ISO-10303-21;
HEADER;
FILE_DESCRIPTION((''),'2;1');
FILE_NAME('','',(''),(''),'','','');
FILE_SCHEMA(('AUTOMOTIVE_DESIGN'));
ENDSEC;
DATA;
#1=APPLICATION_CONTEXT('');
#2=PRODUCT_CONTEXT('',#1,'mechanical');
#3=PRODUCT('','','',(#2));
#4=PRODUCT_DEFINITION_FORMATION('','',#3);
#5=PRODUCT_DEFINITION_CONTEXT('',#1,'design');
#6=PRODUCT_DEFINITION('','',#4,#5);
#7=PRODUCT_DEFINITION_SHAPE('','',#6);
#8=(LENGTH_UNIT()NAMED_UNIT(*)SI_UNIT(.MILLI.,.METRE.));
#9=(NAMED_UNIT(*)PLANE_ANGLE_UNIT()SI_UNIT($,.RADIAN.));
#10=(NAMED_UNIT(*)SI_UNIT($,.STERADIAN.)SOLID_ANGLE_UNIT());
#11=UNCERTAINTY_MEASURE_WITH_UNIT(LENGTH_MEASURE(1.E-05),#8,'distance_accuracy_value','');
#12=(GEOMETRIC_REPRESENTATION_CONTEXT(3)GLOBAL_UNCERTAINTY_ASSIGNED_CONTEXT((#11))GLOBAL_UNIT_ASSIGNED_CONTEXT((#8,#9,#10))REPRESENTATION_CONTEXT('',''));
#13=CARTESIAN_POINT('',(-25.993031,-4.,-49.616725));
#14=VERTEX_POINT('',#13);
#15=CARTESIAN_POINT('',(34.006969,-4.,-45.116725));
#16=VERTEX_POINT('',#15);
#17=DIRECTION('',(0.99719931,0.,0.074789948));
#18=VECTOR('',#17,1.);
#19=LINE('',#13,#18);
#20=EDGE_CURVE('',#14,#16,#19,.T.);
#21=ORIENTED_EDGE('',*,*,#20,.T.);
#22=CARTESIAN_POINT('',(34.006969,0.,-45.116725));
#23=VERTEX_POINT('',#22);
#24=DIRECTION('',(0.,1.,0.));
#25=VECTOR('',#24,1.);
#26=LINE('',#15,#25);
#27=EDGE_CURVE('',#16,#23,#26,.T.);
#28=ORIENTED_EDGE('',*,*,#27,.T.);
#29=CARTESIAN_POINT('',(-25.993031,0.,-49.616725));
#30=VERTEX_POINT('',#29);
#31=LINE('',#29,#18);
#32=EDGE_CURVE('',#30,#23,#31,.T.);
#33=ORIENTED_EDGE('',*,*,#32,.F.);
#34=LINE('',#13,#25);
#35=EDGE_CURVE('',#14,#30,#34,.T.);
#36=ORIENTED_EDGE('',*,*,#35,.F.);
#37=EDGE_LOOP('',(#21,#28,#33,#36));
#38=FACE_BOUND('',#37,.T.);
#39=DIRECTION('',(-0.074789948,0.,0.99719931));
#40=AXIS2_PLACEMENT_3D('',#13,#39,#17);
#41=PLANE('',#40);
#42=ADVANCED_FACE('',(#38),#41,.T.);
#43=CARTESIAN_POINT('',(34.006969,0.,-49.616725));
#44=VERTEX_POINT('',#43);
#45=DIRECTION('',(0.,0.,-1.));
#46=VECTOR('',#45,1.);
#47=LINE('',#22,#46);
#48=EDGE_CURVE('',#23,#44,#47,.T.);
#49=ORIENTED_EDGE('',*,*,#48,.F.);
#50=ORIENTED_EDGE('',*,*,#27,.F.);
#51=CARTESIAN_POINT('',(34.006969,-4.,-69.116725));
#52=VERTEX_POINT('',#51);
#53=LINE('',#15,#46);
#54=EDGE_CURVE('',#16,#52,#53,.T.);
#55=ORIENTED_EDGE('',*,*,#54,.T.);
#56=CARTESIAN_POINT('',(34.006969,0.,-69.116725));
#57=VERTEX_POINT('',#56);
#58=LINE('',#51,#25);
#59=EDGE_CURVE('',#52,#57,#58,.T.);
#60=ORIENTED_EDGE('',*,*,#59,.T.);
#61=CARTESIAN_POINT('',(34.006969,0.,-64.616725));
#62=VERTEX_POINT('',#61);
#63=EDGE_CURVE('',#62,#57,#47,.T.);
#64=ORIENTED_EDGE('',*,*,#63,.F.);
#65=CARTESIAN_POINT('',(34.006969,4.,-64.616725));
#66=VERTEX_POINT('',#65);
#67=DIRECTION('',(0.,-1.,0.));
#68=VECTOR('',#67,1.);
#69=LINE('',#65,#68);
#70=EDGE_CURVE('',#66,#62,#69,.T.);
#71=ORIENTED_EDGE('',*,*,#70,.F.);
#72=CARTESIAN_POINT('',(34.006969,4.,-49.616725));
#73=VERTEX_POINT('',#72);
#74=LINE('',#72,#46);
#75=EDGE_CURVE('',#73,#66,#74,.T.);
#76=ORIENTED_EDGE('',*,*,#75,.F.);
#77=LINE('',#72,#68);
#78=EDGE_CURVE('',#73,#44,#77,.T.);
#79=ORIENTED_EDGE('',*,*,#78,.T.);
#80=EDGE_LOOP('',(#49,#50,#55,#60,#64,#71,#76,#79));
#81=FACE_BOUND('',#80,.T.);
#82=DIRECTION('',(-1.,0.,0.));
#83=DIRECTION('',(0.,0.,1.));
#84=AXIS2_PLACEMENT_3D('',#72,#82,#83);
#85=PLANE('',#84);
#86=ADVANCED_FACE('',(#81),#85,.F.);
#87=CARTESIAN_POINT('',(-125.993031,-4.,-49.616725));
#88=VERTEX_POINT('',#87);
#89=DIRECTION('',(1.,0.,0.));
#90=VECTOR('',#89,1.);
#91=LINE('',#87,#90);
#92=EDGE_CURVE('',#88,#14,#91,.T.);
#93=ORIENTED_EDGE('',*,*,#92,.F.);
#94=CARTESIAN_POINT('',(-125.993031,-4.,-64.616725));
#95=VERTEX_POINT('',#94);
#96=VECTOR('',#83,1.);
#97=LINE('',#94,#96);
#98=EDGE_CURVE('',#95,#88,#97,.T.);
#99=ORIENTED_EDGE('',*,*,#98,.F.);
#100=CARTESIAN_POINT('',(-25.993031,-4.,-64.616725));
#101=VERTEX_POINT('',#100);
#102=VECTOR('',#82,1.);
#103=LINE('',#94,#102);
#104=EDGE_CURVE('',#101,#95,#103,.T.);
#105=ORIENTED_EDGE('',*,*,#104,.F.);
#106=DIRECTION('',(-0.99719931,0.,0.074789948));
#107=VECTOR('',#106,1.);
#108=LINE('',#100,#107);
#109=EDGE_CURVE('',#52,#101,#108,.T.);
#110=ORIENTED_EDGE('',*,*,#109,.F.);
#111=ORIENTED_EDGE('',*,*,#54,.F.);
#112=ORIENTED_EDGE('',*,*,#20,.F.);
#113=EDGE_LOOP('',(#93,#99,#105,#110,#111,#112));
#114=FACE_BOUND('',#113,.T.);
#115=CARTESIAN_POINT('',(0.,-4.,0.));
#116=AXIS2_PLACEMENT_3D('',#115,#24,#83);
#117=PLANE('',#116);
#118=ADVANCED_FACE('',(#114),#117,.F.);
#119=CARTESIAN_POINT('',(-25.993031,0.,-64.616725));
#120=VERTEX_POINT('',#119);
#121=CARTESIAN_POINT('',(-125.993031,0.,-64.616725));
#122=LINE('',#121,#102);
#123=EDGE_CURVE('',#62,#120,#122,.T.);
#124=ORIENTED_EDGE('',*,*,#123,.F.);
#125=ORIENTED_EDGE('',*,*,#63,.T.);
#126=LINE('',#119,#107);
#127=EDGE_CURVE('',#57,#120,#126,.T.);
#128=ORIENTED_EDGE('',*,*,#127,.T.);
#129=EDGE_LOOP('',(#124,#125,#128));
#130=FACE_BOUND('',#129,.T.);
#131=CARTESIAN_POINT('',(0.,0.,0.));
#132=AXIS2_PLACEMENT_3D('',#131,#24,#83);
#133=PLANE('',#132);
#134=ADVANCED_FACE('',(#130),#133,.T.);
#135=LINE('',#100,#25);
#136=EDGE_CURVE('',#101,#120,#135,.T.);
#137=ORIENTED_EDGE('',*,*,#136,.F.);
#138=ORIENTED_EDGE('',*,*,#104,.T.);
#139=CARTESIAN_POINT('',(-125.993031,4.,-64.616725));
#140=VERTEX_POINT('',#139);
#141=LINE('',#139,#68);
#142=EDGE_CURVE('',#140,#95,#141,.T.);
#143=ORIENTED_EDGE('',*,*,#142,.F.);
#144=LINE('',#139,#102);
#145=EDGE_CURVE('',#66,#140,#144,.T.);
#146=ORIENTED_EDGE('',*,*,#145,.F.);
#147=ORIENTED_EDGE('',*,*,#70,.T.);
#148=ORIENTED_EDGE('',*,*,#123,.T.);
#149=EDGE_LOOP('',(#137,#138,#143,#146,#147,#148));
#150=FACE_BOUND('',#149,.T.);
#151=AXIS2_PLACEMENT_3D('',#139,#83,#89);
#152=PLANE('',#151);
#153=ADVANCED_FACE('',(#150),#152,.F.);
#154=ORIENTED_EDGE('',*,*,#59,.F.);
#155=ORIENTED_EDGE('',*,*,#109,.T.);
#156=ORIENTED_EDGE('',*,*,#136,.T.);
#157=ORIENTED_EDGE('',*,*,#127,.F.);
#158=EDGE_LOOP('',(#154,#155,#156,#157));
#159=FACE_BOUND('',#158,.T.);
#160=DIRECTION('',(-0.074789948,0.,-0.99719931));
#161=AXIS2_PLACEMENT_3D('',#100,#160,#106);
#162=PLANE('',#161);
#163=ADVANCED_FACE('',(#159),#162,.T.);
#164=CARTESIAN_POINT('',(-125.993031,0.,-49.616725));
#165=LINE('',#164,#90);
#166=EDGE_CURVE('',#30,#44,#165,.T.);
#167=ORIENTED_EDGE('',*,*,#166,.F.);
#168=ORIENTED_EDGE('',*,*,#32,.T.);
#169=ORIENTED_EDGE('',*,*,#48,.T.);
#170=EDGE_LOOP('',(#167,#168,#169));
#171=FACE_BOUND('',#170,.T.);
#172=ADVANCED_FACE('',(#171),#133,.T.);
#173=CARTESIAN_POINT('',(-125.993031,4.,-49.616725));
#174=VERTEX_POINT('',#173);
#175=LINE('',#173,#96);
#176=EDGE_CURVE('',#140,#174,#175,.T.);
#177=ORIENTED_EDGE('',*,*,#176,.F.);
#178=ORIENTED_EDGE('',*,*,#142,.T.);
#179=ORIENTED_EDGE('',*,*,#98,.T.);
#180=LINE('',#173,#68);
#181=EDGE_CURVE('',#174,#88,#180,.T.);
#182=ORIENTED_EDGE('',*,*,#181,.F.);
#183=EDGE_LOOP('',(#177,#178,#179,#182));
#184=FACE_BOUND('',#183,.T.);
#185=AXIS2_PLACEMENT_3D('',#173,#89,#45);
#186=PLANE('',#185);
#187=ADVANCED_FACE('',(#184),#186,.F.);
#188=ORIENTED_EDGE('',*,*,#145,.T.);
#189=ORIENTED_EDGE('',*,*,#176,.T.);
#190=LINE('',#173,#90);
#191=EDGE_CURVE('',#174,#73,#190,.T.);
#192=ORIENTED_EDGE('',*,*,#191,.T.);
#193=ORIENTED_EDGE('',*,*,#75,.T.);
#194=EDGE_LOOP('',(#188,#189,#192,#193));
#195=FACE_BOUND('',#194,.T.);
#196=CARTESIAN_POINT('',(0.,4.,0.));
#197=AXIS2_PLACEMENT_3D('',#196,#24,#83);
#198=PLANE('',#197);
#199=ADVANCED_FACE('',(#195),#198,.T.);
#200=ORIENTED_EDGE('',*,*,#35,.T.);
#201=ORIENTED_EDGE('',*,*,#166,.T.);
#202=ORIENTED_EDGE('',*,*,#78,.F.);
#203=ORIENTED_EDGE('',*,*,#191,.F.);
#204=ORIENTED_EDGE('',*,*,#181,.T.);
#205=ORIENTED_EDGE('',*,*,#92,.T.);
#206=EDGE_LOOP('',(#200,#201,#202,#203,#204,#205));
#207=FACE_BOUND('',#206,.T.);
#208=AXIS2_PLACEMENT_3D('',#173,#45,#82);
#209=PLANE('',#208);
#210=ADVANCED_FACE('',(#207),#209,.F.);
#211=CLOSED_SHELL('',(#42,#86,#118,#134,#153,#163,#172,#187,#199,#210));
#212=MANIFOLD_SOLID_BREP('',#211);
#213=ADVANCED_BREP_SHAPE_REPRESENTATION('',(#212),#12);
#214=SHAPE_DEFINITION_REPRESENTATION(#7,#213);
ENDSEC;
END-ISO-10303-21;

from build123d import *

# Parameters (mm, degrees)
SKETCH1_W           = 160
SKETCH1_H           = 15
BOSS_EXTRUDE1_DEPTH = 4
BOSS_EXTRUDE2_DEPTH = 4


with BuildPart() as part:
    # Sketch1 → Boss-Extrude1 (new body)
    with BuildSketch(Plane(origin=(0, 0, 0), x_dir=(1, 0, 0), z_dir=(0, 1, 0))):
        with Locations((-45.993031359, 57.116724739)):
            Rectangle(SKETCH1_W, SKETCH1_H)
    extrude(amount=BOSS_EXTRUDE1_DEPTH)

    # Sketch2 → Boss-Extrude2 (add)
    with BuildSketch(Plane(origin=(0, 0, 0), x_dir=(1, 0, 0), z_dir=(0, 1, 0))):
        Polygon((-125.993031359, 64.616724739), (-25.993031359, 64.616724739), (34.006968641, 69.116724739), (34.006968641, 45.116724739), (-25.993031359, 49.616724739), (-125.993031359, 49.616724739), align=None)
    extrude(amount=-BOSS_EXTRUDE2_DEPTH)


solid = part.part
